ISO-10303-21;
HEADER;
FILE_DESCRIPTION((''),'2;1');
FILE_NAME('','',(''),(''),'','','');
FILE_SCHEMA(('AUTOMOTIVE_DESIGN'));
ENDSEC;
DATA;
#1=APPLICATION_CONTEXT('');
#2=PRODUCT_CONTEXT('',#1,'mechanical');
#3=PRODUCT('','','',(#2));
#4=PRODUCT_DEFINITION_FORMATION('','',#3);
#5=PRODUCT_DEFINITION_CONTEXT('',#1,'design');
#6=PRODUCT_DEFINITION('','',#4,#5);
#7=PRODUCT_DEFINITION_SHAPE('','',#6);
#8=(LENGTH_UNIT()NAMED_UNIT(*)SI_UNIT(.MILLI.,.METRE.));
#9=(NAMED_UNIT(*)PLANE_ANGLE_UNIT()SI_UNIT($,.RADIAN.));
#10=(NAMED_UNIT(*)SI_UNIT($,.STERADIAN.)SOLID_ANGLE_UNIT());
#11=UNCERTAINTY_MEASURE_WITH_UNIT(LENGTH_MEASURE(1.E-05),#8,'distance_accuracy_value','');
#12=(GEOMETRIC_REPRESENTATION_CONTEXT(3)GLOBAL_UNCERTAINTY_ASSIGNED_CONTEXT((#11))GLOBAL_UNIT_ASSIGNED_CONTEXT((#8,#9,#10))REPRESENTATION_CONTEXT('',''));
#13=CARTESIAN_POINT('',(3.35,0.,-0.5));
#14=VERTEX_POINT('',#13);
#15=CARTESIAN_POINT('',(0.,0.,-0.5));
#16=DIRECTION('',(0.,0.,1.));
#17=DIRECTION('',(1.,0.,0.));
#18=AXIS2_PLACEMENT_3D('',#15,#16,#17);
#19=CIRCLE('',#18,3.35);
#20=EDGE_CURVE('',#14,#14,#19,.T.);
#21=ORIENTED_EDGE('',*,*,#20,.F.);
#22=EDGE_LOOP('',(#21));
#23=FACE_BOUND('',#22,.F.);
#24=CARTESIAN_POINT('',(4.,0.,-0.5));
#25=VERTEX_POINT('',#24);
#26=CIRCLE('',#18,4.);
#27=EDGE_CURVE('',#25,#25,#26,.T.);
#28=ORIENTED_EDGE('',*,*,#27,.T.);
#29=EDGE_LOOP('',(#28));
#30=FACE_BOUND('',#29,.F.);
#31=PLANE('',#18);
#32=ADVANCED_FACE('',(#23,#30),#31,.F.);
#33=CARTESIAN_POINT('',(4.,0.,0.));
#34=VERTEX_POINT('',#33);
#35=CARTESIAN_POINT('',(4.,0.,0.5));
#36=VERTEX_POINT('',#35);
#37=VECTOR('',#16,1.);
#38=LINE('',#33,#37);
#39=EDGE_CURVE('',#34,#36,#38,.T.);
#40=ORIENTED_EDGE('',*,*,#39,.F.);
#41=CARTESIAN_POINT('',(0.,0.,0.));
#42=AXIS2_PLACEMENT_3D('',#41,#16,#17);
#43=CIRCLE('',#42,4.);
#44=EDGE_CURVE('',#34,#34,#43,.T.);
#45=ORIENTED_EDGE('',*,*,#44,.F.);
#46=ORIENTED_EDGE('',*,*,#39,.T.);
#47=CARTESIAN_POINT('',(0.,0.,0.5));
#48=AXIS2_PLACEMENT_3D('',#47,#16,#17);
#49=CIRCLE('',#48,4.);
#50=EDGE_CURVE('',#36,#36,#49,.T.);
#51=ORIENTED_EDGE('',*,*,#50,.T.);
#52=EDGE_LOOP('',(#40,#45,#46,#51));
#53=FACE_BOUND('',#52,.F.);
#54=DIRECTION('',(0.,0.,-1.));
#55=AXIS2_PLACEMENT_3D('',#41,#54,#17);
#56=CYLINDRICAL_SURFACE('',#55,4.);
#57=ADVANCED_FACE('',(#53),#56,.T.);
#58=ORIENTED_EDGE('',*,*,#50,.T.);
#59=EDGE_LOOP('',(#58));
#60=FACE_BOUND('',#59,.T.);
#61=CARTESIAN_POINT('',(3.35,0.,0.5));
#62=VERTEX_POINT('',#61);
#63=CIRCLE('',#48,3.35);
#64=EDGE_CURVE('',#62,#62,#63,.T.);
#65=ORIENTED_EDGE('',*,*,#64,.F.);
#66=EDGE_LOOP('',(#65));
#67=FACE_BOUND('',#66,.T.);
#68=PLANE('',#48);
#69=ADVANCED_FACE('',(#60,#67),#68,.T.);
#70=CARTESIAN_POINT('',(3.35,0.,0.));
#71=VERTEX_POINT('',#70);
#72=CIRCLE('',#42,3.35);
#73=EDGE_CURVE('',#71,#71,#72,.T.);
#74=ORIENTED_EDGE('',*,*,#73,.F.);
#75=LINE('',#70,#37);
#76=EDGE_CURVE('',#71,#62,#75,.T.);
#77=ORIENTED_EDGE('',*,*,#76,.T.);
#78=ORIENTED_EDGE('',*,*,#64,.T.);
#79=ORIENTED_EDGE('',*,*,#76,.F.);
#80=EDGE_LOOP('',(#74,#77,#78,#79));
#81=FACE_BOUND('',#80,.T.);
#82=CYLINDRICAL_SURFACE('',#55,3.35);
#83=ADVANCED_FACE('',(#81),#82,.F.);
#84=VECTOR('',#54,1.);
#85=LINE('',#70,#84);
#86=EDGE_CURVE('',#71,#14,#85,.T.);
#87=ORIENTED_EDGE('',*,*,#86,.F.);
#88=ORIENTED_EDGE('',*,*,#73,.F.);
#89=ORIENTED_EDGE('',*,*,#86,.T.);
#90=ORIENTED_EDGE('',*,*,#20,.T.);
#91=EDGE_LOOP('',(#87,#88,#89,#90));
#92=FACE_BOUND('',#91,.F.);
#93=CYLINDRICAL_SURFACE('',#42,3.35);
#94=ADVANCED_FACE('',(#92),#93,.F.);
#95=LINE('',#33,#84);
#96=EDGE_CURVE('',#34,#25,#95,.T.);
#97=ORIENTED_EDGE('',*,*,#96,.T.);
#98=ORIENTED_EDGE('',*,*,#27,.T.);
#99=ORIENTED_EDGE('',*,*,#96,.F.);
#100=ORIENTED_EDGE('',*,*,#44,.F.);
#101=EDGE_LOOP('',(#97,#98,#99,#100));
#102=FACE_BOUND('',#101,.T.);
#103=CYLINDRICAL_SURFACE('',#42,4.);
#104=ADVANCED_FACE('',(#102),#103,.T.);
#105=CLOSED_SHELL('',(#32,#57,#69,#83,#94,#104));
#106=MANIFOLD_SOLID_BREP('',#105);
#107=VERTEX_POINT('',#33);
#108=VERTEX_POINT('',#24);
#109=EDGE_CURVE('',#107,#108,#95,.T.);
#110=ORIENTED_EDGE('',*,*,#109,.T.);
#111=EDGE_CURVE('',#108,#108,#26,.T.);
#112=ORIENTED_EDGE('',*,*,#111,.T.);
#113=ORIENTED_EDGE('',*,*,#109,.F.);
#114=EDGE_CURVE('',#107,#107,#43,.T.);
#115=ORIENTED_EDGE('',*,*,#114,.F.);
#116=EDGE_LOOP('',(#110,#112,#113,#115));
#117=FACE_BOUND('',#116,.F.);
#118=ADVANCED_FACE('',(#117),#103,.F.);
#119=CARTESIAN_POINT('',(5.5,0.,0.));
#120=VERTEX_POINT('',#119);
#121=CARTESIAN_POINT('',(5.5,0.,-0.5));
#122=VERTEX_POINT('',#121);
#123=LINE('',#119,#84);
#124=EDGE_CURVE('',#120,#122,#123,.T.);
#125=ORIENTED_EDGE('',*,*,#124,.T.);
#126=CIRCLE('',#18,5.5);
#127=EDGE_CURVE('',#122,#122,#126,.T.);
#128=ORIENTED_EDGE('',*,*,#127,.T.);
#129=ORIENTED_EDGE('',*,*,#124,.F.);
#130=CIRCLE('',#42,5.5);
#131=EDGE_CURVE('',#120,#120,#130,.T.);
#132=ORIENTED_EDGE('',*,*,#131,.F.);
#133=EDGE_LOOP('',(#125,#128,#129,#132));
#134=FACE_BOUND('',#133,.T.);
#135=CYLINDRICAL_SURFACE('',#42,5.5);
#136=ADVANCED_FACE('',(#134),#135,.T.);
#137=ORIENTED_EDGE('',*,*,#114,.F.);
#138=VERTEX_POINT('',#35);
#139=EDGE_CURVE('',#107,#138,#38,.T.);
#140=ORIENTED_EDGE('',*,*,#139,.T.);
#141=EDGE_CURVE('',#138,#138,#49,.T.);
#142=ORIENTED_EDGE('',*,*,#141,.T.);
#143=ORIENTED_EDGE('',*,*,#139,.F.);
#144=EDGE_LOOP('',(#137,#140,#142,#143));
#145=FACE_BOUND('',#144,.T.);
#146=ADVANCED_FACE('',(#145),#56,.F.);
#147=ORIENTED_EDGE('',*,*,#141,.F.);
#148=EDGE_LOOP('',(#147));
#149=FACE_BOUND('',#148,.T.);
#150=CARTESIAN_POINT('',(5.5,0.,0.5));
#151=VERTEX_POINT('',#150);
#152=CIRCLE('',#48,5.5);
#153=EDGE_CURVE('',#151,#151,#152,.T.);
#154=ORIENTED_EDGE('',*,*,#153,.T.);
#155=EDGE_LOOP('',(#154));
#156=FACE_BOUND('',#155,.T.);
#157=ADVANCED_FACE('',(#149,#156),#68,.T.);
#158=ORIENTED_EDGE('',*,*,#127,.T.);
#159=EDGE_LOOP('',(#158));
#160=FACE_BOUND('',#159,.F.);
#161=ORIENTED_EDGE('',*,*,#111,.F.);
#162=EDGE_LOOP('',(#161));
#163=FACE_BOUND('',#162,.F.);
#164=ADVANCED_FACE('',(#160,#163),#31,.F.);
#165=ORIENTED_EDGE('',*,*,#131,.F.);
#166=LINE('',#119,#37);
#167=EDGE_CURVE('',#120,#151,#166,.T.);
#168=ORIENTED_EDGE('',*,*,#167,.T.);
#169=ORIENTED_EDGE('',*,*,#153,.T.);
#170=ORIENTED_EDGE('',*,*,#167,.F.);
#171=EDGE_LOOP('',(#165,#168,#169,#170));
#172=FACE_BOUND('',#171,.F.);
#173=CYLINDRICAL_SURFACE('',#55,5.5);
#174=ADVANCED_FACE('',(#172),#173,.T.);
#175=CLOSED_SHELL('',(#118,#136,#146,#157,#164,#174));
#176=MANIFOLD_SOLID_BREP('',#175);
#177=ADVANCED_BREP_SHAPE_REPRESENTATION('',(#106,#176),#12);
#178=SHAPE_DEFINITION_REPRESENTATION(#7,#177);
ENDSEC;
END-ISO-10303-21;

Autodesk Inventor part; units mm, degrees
ref_plane "YZ Plane" through (0, 0, 0) normal (1, 0, 0) x (0, 1, 0)
ref_plane "XZ Plane" through (0, 0, 0) normal (0, 1, 0) x (-1, 0, 0)
ref_plane "XY Plane" through (0, 0, 0) normal (0, 0, 1) x (1, 0, 0)
sketch "Sketch1" plane through (0, 0, 0) normal (0, 0, 1) x (1, 0, 0)
  circle A0 centre (0, 0) radius 5.5
  circle A1 centre (0, 0) radius 4
  dimension "d0" = 11
  dimension "d1" = 8
extrude "Extrusion1" add sketch "Sketch1" along normal mid plane 1
sketch "Sketch2" plane through (0, 0, 0) normal (0, 0, 1) x (1, 0, 0)
  circle A0 centre (0, 0) radius 3.35
  circle A1 centre (0, 0) radius 4 projected
  dimension "d4" = 6.7
extrude "Extrusion2" add sketch "Sketch2" along normal mid plane 1 separate body
properties part number "Gummistål_M6_6-7x11x1"
